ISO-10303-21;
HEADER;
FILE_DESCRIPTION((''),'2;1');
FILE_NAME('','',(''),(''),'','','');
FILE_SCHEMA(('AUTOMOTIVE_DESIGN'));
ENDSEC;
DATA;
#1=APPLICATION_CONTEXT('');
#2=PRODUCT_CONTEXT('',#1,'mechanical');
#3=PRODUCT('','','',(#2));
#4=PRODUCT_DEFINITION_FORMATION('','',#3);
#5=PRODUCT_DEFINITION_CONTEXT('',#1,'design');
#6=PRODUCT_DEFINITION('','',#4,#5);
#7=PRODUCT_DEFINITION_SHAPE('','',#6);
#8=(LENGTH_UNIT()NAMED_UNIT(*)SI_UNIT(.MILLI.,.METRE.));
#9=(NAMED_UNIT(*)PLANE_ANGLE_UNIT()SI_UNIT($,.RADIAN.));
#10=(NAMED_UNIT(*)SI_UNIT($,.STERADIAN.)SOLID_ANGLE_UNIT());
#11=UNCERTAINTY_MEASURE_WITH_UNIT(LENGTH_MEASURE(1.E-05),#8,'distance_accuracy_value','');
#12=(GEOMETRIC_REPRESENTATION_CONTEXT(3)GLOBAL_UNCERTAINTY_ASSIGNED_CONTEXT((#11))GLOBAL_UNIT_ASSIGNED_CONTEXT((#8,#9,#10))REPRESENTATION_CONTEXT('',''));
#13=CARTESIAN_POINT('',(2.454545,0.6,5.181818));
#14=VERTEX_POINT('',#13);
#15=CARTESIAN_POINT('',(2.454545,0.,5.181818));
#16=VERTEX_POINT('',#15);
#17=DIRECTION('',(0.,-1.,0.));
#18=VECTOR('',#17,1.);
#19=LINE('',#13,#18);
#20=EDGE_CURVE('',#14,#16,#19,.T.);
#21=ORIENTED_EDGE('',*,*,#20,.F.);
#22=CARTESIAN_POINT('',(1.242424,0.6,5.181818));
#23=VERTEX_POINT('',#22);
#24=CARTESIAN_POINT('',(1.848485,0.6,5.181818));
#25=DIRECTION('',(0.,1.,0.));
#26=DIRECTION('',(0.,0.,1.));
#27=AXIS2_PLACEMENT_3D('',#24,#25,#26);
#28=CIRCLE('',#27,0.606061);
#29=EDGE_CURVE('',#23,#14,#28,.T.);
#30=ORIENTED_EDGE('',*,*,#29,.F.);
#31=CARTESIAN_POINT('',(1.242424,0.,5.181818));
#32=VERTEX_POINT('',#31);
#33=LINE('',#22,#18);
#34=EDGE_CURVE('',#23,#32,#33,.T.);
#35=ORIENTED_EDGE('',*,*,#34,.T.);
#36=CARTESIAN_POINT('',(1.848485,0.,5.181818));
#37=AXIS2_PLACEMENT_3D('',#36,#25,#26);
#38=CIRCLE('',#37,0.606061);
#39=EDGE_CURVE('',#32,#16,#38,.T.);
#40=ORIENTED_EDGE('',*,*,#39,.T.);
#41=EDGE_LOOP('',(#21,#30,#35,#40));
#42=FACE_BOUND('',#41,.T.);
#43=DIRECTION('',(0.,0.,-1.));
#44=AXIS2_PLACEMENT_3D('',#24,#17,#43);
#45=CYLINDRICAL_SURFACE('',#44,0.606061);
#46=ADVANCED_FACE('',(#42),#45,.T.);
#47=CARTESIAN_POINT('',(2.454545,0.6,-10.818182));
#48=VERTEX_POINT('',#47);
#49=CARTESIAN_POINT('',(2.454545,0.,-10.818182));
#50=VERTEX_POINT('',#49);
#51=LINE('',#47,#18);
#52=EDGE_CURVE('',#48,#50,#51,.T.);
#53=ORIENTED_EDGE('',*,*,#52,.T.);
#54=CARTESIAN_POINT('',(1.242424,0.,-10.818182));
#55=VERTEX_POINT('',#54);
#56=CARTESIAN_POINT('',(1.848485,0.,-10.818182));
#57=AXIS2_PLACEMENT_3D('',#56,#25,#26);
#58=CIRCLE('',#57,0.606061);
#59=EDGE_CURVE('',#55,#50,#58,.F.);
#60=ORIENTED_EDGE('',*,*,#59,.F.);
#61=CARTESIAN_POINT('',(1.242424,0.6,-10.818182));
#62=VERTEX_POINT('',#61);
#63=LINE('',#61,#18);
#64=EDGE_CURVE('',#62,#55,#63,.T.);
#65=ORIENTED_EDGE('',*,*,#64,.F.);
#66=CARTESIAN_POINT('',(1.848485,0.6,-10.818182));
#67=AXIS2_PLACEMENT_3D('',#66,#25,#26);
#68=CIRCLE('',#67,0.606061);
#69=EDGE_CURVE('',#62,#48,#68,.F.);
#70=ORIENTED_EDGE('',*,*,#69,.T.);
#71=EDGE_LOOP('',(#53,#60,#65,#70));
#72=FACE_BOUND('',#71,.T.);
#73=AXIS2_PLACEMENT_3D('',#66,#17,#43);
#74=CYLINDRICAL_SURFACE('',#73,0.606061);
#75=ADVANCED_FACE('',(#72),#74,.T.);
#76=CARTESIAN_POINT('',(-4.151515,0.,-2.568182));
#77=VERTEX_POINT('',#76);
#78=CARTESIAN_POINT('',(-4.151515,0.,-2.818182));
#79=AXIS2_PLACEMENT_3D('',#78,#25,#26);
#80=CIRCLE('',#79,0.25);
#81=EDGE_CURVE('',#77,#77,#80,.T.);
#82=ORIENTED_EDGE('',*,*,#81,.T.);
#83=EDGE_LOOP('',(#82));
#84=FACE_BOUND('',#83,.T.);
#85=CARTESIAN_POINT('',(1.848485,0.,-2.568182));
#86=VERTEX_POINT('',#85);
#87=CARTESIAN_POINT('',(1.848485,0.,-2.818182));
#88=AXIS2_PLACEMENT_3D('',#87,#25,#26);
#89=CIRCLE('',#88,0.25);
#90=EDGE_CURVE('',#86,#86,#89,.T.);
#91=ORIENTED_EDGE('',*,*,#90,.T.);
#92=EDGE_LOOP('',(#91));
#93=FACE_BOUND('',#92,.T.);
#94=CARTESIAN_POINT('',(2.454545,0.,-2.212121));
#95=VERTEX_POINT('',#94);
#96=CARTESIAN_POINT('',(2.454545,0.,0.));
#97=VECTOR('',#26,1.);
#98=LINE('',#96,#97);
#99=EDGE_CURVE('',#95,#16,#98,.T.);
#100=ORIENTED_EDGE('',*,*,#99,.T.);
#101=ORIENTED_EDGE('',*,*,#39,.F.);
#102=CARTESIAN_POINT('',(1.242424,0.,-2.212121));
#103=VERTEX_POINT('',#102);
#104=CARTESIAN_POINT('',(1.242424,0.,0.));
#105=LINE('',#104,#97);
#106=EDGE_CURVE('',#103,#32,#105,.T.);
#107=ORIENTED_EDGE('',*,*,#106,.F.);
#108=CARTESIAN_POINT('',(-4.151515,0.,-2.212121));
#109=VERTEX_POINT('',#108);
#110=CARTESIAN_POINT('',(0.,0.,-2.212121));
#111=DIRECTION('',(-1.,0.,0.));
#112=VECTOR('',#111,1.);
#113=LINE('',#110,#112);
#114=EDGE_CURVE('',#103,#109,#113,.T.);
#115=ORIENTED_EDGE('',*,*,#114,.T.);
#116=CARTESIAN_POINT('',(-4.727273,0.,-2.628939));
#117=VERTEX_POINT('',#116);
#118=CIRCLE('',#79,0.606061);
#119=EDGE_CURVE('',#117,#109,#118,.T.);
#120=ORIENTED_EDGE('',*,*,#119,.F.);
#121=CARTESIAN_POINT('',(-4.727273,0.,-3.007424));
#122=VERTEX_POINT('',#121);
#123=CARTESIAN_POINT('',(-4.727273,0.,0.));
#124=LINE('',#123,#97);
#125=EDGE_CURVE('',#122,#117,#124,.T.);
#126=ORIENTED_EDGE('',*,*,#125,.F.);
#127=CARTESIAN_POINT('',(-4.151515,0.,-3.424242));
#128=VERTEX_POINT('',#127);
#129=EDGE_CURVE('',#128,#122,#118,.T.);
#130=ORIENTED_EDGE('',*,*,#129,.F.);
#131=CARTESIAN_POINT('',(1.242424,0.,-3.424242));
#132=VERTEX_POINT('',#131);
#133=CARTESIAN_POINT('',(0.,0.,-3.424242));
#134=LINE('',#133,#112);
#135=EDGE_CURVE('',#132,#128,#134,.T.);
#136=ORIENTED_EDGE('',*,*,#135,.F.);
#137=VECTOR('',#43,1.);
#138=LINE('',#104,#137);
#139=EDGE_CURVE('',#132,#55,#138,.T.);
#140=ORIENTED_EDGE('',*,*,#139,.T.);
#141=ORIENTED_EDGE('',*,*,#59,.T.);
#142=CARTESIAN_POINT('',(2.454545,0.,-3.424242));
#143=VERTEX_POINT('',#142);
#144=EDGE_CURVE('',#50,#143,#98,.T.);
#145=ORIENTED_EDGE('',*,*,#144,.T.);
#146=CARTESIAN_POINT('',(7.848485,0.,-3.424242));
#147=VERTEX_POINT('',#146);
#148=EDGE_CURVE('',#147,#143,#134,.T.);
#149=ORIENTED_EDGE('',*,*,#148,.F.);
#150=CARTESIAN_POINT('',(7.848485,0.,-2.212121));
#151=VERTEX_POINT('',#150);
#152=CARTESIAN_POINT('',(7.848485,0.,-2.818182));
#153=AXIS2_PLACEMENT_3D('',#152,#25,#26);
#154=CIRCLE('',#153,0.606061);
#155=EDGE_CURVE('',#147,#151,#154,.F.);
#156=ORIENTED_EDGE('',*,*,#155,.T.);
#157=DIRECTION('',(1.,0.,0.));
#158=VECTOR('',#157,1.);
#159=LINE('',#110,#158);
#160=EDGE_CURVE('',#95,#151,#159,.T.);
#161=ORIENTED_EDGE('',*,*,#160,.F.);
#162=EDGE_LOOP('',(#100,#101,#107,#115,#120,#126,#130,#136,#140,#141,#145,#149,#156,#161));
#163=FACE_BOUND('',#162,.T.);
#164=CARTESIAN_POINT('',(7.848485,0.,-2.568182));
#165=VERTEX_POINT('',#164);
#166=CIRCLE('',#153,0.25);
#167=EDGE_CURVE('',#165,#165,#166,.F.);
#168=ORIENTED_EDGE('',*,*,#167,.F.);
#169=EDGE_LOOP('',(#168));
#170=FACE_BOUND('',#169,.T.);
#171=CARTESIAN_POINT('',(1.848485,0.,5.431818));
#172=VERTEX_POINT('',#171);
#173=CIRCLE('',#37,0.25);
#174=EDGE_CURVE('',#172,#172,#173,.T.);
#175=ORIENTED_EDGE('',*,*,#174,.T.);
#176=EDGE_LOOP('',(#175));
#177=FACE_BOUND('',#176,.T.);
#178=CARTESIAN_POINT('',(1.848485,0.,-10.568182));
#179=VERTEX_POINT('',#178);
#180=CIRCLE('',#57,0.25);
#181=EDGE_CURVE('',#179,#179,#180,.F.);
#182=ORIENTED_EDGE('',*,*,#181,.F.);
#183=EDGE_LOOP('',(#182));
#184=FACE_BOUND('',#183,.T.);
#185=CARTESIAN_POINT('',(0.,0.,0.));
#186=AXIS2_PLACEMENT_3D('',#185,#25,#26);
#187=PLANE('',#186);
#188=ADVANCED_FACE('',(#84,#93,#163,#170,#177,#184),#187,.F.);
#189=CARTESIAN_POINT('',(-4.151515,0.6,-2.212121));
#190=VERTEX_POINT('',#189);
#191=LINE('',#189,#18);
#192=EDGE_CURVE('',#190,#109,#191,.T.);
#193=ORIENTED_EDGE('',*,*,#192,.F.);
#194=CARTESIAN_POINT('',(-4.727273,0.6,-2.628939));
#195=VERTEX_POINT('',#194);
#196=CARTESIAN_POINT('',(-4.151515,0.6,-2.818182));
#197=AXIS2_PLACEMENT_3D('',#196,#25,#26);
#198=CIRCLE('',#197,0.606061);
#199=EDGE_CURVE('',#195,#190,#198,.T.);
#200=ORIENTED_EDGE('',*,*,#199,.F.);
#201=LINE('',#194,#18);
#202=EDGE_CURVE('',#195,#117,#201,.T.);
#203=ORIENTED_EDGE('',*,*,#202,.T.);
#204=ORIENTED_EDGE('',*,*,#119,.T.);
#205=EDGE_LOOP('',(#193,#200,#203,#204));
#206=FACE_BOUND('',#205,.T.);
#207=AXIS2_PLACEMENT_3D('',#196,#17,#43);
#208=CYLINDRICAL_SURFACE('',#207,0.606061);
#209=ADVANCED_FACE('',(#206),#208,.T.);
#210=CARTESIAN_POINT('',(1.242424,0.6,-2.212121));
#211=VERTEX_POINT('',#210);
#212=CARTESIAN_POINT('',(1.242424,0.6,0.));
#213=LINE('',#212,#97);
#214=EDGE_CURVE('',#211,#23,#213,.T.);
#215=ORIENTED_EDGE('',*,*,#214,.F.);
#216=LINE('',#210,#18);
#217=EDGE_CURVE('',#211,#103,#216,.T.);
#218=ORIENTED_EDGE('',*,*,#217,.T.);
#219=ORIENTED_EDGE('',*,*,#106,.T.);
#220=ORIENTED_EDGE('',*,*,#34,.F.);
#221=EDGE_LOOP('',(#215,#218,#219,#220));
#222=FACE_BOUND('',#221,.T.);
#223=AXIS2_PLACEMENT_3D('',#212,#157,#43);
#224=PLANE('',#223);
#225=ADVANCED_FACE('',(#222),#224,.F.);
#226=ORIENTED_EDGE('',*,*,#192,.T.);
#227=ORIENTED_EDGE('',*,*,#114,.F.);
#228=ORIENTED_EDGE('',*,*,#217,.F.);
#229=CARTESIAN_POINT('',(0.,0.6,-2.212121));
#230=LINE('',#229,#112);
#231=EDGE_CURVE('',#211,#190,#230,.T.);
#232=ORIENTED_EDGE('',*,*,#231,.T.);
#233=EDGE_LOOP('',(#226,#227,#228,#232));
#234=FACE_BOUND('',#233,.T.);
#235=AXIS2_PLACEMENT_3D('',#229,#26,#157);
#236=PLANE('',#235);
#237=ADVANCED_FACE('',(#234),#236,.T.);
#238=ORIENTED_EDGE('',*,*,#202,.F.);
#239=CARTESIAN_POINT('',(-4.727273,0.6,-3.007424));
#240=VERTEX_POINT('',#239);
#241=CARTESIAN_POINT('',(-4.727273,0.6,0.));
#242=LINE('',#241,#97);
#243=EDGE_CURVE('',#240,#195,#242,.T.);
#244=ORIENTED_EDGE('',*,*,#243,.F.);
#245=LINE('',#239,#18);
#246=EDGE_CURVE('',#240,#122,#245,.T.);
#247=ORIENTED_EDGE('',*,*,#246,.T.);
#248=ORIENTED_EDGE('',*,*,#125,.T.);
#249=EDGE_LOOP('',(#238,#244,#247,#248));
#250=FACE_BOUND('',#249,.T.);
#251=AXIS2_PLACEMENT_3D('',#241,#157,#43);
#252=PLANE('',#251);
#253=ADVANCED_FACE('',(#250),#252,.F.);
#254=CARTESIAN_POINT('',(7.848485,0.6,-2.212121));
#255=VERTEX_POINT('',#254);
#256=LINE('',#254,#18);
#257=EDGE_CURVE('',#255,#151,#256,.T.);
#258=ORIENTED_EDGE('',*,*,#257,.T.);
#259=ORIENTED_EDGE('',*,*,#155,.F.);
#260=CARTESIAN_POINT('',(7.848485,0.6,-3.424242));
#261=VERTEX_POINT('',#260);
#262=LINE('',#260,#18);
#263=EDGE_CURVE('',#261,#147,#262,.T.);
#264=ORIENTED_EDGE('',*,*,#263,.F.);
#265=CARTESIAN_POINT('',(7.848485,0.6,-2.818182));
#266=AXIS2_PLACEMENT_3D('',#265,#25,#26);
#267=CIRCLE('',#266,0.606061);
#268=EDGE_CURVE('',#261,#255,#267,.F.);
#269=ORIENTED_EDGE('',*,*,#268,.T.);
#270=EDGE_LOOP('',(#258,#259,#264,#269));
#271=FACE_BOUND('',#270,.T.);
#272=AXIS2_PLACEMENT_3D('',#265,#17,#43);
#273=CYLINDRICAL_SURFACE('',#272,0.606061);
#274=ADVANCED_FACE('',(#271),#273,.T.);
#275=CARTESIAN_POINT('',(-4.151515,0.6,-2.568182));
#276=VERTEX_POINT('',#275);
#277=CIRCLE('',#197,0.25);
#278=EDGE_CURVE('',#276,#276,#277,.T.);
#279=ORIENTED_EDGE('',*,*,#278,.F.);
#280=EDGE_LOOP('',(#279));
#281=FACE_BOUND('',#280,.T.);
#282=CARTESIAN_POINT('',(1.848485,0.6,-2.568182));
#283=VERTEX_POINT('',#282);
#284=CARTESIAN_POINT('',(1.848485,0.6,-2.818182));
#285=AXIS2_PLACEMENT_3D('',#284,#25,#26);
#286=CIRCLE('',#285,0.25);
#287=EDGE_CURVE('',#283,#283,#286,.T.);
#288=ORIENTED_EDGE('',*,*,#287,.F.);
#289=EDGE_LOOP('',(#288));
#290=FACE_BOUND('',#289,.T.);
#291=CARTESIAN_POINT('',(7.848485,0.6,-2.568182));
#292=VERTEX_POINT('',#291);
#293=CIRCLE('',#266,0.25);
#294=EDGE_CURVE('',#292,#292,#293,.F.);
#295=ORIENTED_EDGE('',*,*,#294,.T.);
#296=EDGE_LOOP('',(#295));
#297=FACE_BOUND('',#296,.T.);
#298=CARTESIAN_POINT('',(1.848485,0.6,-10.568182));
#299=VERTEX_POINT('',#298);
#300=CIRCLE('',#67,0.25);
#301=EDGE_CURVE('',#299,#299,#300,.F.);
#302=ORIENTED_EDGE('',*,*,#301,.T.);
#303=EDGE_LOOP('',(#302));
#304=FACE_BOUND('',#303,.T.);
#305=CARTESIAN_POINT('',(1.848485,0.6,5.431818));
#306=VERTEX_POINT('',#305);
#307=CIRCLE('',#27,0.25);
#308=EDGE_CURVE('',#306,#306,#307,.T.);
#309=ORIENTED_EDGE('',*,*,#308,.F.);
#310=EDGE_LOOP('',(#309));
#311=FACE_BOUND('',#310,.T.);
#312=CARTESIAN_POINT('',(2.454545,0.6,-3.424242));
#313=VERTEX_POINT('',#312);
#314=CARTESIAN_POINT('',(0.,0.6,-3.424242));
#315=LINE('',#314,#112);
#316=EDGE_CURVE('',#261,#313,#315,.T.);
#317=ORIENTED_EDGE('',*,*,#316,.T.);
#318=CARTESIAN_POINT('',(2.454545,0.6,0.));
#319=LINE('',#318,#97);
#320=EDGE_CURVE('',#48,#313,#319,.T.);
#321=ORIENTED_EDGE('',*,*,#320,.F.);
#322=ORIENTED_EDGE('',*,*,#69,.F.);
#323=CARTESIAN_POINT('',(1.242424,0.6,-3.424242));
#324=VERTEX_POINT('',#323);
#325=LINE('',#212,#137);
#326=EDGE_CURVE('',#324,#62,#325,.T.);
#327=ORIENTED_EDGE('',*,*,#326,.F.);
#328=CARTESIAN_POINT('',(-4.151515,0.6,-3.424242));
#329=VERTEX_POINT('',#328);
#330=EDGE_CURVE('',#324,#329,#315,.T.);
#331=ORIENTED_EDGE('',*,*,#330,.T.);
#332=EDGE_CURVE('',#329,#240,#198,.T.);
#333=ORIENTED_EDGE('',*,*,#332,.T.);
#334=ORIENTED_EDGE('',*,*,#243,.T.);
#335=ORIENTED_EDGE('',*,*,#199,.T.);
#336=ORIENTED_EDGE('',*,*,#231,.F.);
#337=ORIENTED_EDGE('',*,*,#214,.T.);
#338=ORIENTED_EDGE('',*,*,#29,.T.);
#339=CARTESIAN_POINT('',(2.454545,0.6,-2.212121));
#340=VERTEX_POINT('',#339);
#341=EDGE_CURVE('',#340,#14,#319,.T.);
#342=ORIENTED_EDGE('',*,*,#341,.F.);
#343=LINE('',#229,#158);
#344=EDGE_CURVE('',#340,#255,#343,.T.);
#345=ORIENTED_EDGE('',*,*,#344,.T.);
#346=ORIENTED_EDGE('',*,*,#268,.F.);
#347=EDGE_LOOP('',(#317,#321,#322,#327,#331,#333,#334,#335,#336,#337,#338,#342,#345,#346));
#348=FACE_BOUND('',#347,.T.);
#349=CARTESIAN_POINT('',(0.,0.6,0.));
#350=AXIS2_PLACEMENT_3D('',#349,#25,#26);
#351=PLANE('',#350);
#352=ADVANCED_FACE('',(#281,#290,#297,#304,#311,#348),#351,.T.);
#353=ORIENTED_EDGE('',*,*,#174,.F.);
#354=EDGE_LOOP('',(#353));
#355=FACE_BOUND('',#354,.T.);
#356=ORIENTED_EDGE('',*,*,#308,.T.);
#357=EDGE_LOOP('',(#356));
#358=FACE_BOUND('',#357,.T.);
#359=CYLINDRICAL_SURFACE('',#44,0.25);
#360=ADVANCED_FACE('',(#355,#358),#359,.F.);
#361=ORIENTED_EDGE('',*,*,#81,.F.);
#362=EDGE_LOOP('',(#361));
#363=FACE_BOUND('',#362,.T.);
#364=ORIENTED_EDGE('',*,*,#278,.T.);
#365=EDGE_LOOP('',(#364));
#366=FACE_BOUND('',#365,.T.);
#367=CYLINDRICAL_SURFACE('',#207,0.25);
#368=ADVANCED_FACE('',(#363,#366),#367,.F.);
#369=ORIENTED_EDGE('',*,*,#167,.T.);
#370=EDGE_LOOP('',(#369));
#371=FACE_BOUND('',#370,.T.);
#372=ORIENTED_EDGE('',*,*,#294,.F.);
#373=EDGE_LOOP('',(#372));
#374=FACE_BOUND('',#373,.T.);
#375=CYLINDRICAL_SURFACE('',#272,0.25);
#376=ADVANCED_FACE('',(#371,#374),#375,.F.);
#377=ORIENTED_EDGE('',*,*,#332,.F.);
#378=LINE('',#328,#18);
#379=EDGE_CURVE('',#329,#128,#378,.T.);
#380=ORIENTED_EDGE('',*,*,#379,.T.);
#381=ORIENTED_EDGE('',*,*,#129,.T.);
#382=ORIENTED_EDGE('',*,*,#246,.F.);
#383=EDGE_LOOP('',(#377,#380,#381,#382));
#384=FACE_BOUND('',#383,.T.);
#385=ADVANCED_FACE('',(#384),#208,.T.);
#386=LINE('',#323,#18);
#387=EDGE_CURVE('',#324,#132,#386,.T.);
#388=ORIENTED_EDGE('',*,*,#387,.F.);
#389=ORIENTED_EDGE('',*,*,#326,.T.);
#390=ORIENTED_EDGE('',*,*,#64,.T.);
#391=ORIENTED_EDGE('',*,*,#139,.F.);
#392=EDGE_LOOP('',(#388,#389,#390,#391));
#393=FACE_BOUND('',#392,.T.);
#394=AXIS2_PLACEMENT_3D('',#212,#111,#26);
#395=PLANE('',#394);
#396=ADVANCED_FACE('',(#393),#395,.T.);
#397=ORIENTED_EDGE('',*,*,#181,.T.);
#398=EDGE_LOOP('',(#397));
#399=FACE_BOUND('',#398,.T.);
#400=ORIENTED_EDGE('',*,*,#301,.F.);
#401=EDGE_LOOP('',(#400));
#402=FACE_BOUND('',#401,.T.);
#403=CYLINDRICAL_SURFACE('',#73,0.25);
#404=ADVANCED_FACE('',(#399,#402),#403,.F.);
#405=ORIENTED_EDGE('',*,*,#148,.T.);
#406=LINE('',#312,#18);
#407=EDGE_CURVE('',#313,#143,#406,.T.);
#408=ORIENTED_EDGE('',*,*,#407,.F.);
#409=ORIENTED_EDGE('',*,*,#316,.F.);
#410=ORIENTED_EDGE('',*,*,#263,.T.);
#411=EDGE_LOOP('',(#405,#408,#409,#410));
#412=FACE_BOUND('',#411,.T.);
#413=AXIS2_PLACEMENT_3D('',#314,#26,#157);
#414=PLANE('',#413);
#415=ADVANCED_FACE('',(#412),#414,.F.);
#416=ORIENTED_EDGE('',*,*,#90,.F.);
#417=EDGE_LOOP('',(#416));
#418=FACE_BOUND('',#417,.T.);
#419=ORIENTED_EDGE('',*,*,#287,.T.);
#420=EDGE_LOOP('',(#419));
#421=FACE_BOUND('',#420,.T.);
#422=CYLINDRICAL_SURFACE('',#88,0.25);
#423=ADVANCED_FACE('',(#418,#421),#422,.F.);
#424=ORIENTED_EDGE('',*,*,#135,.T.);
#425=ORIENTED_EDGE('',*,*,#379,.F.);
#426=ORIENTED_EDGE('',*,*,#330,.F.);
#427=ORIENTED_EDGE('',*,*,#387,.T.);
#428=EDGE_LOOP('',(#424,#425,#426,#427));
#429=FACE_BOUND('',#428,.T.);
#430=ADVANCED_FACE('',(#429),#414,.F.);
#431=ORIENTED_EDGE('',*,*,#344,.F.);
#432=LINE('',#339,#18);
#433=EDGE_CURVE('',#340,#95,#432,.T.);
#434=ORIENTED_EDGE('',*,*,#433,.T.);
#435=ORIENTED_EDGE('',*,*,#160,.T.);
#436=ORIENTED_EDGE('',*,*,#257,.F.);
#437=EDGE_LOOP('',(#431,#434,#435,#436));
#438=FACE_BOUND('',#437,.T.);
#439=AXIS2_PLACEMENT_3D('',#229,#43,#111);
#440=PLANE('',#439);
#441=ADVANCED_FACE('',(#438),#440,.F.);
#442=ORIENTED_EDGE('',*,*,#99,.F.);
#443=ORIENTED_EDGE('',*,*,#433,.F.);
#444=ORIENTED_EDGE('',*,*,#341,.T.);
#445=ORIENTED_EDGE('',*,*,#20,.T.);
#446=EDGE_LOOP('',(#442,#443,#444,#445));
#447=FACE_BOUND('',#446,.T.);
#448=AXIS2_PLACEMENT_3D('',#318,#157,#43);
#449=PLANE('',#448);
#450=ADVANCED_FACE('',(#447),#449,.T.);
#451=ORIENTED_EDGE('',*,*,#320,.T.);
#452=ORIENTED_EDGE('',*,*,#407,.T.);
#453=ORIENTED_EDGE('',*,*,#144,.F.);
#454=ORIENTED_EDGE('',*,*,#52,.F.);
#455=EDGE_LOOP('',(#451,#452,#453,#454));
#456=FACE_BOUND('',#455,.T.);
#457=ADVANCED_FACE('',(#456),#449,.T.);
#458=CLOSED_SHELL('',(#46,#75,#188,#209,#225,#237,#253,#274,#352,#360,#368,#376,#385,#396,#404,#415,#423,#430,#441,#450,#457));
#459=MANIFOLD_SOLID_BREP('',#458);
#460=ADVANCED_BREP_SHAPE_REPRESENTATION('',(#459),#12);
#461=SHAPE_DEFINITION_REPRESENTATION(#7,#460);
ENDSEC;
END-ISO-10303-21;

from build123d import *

# Parameters (mm, degrees)
SKETCH1_R           = 0.25
BOSS_EXTRUDE1_DEPTH = 0.6
SKETCH2_R           = 0.25
CUT_EXTRUDE1_DEPTH  = 1.6


with BuildPart() as part:
    # Sketch1 → Boss-Extrude1 (new body)
    with BuildSketch(Plane(origin=(0, 0, 0), x_dir=(1, 0, 0), z_dir=(0, 1, 0))):
        with BuildLine():
            Line((2.454545455, 3.424242424), (2.454545455, 10.818181818))
            ThreePointArc((2.454545455, 10.818181818), (1.848484848, 11.424242424), (1.242424242, 10.818181818))
            Line((1.242424242, 10.818181818), (1.242424242, 3.424242424))
            Line((1.242424242, 3.424242424), (-4.151515152, 3.424242424))
            ThreePointArc((-4.151515152, 3.424242424), (-4.506914305, 3.309100243), (-4.727272727, 3.007424182))
            Line((-4.727272727, 3.007424182), (-4.727272727, 2.628939455))
            ThreePointArc((-4.727272727, 2.628939455), (-4.506914305, 2.327263393), (-4.151515152, 2.212121212))
            Line((-4.151515152, 2.212121212), (1.242424242, 2.212121212))
            Line((1.242424242, 2.212121212), (1.242424242, -5.181818182))
            ThreePointArc((1.242424242, -5.181818182), (1.848484848, -5.787878788), (2.454545455, -5.181818182))
            Line((2.454545455, -5.181818182), (2.454545455, 2.212121212))
            Line((2.454545455, 2.212121212), (7.848484848, 2.212121212))
            ThreePointArc((7.848484848, 2.212121212), (8.454545455, 2.818181818), (7.848484848, 3.424242424))
            Line((7.848484848, 3.424242424), (2.454545455, 3.424242424))
        make_face()
        with Locations((1.848484848, 10.818181818)):
            Circle(SKETCH1_R, mode=Mode.SUBTRACT)
        with Locations((1.848484848, -5.181818182)):
            Circle(SKETCH1_R, mode=Mode.SUBTRACT)
        with Locations((-4.151515152, 2.818181818)):
            Circle(SKETCH1_R, mode=Mode.SUBTRACT)
        with Locations((7.848484848, 2.818181818)):
            Circle(SKETCH1_R, mode=Mode.SUBTRACT)
    extrude(amount=BOSS_EXTRUDE1_DEPTH)

    # Sketch2 → Cut-Extrude1 (cut, through all)
    with BuildSketch(Plane(origin=(0, 0.6, 0), x_dir=(1, 0, 0), z_dir=(0, 1, 0))):
        with Locations((1.848484848, 2.818181818)):
            Circle(SKETCH2_R)
    extrude(amount=-CUT_EXTRUDE1_DEPTH, mode=Mode.SUBTRACT)


solid = part.part
